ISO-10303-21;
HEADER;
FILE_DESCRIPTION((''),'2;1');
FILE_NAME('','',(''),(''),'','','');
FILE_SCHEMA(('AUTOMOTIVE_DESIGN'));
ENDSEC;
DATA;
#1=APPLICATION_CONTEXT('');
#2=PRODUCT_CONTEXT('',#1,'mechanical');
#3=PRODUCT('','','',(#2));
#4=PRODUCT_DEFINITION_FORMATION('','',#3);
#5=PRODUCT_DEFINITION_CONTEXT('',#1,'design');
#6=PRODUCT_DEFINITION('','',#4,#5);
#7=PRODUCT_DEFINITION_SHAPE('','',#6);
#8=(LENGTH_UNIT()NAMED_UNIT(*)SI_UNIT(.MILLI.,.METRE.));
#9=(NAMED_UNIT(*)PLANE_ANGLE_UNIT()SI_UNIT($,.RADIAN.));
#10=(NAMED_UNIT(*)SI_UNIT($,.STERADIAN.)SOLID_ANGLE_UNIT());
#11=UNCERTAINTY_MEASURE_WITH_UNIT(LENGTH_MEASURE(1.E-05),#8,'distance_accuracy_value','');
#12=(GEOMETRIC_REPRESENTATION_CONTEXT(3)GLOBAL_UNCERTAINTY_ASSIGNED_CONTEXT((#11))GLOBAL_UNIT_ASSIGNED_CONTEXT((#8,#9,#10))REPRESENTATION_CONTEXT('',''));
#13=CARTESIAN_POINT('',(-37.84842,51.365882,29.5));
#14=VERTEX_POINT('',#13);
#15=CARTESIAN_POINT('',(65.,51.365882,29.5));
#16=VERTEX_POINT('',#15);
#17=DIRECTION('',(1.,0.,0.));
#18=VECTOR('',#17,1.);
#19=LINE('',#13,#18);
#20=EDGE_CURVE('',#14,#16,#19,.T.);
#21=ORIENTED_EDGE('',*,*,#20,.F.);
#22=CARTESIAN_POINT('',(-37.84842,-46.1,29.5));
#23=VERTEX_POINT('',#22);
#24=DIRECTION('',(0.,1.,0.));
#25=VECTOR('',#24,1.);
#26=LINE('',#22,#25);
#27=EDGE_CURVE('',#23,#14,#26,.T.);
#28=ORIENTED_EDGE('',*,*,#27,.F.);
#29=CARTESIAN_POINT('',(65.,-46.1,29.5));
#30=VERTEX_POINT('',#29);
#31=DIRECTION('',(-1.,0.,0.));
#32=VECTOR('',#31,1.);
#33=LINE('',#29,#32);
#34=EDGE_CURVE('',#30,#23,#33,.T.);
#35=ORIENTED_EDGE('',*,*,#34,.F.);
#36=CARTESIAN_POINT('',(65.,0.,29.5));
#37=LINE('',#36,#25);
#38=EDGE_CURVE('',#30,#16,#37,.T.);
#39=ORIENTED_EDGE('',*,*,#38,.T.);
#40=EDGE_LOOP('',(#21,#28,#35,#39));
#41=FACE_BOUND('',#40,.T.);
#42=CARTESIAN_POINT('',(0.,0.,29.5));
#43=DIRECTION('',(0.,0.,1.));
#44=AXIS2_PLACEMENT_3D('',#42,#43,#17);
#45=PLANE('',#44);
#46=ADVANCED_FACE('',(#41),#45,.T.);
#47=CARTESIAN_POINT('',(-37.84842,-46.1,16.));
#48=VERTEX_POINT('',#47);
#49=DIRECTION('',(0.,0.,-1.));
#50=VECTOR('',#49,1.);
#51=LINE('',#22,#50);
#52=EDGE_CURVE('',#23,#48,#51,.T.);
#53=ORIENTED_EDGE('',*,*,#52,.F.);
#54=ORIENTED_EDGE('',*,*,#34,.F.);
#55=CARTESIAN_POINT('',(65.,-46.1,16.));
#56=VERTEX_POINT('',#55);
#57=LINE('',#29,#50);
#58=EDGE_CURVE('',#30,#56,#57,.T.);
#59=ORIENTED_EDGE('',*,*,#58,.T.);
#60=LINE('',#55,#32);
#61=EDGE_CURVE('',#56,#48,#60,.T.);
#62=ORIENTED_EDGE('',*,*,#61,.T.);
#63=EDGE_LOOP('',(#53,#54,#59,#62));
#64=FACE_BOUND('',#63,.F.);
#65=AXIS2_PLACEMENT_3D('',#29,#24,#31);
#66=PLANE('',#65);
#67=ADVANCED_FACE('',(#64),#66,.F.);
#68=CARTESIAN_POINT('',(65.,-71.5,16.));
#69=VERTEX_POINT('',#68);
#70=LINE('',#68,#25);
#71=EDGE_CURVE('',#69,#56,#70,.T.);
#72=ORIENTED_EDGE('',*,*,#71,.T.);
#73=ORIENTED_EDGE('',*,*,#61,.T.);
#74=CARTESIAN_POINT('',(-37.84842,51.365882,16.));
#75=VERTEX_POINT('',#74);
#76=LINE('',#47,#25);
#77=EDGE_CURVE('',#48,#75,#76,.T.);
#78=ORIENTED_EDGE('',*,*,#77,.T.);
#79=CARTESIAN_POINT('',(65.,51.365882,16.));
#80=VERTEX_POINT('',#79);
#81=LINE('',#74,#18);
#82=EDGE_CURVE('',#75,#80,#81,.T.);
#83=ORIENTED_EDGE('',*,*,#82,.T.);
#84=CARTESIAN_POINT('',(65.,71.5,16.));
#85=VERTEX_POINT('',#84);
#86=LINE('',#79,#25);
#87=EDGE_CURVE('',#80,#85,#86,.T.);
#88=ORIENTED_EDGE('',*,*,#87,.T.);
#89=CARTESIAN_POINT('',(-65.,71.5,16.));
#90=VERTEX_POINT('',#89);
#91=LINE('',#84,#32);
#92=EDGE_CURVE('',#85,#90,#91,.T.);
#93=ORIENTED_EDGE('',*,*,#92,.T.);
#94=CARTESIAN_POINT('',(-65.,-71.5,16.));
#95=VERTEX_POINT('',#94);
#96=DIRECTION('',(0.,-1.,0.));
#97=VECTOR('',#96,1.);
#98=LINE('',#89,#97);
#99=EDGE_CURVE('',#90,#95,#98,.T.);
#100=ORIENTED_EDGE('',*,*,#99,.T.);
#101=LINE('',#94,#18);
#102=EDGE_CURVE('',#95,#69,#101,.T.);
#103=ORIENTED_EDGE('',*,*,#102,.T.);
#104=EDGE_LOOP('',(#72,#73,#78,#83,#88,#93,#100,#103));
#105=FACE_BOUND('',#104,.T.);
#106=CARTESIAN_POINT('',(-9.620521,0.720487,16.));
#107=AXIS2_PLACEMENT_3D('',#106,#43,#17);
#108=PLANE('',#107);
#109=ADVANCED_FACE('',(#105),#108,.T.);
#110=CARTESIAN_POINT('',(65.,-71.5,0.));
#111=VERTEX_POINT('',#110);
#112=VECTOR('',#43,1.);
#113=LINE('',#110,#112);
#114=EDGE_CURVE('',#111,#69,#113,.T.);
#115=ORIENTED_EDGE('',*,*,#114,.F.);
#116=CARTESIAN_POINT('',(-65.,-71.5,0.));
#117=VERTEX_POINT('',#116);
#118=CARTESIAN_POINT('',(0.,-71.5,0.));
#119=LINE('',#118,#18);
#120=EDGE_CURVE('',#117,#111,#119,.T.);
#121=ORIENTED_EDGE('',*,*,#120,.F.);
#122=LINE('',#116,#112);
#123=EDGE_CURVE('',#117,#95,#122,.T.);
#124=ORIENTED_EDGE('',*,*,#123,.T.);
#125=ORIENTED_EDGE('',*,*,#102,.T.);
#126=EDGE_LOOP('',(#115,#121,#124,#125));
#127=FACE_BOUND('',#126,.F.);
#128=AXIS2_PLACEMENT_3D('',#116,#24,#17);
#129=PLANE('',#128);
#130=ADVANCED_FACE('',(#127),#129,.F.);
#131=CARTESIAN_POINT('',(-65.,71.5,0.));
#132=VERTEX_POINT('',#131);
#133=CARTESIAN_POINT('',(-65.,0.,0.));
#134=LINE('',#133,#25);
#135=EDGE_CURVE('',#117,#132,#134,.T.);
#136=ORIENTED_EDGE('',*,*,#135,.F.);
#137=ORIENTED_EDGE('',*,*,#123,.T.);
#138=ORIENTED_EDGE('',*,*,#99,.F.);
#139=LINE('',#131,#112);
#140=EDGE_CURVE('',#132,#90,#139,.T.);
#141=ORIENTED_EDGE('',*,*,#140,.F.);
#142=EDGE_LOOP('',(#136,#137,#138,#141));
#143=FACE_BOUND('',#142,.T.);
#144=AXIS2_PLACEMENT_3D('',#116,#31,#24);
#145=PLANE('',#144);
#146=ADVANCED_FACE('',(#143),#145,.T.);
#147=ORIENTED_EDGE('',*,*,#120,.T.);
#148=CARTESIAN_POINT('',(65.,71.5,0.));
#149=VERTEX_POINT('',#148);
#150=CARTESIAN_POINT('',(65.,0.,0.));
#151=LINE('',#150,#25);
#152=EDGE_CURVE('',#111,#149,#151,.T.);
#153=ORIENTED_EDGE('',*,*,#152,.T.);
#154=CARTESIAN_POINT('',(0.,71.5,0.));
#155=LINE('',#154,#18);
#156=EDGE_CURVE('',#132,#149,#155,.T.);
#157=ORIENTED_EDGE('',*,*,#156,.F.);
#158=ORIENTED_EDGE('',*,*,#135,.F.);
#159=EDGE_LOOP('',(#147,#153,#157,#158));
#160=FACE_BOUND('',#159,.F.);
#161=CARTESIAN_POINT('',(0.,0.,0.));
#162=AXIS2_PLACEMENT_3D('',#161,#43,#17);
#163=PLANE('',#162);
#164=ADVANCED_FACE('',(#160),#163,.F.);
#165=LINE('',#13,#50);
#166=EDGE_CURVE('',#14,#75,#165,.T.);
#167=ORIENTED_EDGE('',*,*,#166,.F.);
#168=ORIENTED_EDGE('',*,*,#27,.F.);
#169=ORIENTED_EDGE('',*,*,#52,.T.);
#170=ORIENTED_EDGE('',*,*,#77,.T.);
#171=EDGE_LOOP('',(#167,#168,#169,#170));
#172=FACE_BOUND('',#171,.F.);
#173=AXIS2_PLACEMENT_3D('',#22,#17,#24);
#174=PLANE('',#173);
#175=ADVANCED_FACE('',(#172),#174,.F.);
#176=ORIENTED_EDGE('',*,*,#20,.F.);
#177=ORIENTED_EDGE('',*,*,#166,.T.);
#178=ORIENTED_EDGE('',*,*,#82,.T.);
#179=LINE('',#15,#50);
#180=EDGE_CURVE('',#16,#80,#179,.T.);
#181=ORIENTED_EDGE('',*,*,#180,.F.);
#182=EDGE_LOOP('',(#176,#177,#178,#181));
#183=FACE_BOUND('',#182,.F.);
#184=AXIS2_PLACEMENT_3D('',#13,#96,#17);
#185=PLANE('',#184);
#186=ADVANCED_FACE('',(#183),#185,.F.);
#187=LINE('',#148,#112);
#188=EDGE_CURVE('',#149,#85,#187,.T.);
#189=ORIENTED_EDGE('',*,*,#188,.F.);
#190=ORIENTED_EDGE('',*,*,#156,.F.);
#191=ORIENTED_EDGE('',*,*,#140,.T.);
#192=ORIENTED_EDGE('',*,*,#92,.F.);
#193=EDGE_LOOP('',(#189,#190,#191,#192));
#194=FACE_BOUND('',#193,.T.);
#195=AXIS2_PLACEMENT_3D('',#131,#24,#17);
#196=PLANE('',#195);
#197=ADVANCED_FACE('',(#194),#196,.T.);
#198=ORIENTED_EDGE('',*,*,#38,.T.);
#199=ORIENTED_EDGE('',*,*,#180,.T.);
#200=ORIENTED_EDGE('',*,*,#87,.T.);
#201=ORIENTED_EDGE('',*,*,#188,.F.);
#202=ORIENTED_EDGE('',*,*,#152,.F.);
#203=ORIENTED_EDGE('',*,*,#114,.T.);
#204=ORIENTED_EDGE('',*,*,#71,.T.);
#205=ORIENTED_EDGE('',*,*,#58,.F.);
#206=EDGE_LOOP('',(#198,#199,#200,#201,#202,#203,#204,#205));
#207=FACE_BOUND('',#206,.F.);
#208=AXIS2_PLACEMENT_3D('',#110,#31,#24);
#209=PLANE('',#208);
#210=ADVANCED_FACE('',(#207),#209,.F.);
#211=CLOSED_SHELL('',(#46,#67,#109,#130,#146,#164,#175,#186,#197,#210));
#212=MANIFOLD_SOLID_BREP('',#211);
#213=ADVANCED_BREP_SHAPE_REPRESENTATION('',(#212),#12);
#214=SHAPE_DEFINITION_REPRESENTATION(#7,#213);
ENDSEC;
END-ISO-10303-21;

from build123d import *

# Parameters (mm, degrees)
F0_W     = 130
F0_H     = 143
F1_DEPTH = 29.5
F3_DEPTH = 13.5


with BuildPart() as f1:
    # F0 (on Top) → F1 (new body)
    with BuildSketch(Plane.XY):
        Rectangle(F0_W, F0_H)
    extrude(amount=F1_DEPTH)

    # F2 (on face) → F3 (cut)
    with BuildSketch(Plane.XY.offset(29.5)):
        Polygon((-37.84842, 51.365882), (65, 51.365882), (65, 71.5), (-65, 71.5), (-65, -71.5), (65, -71.5), (65, -46.1), (-37.84842, -46.1), align=None)
    extrude(amount=-F3_DEPTH, mode=Mode.SUBTRACT)


solid = f1.part
